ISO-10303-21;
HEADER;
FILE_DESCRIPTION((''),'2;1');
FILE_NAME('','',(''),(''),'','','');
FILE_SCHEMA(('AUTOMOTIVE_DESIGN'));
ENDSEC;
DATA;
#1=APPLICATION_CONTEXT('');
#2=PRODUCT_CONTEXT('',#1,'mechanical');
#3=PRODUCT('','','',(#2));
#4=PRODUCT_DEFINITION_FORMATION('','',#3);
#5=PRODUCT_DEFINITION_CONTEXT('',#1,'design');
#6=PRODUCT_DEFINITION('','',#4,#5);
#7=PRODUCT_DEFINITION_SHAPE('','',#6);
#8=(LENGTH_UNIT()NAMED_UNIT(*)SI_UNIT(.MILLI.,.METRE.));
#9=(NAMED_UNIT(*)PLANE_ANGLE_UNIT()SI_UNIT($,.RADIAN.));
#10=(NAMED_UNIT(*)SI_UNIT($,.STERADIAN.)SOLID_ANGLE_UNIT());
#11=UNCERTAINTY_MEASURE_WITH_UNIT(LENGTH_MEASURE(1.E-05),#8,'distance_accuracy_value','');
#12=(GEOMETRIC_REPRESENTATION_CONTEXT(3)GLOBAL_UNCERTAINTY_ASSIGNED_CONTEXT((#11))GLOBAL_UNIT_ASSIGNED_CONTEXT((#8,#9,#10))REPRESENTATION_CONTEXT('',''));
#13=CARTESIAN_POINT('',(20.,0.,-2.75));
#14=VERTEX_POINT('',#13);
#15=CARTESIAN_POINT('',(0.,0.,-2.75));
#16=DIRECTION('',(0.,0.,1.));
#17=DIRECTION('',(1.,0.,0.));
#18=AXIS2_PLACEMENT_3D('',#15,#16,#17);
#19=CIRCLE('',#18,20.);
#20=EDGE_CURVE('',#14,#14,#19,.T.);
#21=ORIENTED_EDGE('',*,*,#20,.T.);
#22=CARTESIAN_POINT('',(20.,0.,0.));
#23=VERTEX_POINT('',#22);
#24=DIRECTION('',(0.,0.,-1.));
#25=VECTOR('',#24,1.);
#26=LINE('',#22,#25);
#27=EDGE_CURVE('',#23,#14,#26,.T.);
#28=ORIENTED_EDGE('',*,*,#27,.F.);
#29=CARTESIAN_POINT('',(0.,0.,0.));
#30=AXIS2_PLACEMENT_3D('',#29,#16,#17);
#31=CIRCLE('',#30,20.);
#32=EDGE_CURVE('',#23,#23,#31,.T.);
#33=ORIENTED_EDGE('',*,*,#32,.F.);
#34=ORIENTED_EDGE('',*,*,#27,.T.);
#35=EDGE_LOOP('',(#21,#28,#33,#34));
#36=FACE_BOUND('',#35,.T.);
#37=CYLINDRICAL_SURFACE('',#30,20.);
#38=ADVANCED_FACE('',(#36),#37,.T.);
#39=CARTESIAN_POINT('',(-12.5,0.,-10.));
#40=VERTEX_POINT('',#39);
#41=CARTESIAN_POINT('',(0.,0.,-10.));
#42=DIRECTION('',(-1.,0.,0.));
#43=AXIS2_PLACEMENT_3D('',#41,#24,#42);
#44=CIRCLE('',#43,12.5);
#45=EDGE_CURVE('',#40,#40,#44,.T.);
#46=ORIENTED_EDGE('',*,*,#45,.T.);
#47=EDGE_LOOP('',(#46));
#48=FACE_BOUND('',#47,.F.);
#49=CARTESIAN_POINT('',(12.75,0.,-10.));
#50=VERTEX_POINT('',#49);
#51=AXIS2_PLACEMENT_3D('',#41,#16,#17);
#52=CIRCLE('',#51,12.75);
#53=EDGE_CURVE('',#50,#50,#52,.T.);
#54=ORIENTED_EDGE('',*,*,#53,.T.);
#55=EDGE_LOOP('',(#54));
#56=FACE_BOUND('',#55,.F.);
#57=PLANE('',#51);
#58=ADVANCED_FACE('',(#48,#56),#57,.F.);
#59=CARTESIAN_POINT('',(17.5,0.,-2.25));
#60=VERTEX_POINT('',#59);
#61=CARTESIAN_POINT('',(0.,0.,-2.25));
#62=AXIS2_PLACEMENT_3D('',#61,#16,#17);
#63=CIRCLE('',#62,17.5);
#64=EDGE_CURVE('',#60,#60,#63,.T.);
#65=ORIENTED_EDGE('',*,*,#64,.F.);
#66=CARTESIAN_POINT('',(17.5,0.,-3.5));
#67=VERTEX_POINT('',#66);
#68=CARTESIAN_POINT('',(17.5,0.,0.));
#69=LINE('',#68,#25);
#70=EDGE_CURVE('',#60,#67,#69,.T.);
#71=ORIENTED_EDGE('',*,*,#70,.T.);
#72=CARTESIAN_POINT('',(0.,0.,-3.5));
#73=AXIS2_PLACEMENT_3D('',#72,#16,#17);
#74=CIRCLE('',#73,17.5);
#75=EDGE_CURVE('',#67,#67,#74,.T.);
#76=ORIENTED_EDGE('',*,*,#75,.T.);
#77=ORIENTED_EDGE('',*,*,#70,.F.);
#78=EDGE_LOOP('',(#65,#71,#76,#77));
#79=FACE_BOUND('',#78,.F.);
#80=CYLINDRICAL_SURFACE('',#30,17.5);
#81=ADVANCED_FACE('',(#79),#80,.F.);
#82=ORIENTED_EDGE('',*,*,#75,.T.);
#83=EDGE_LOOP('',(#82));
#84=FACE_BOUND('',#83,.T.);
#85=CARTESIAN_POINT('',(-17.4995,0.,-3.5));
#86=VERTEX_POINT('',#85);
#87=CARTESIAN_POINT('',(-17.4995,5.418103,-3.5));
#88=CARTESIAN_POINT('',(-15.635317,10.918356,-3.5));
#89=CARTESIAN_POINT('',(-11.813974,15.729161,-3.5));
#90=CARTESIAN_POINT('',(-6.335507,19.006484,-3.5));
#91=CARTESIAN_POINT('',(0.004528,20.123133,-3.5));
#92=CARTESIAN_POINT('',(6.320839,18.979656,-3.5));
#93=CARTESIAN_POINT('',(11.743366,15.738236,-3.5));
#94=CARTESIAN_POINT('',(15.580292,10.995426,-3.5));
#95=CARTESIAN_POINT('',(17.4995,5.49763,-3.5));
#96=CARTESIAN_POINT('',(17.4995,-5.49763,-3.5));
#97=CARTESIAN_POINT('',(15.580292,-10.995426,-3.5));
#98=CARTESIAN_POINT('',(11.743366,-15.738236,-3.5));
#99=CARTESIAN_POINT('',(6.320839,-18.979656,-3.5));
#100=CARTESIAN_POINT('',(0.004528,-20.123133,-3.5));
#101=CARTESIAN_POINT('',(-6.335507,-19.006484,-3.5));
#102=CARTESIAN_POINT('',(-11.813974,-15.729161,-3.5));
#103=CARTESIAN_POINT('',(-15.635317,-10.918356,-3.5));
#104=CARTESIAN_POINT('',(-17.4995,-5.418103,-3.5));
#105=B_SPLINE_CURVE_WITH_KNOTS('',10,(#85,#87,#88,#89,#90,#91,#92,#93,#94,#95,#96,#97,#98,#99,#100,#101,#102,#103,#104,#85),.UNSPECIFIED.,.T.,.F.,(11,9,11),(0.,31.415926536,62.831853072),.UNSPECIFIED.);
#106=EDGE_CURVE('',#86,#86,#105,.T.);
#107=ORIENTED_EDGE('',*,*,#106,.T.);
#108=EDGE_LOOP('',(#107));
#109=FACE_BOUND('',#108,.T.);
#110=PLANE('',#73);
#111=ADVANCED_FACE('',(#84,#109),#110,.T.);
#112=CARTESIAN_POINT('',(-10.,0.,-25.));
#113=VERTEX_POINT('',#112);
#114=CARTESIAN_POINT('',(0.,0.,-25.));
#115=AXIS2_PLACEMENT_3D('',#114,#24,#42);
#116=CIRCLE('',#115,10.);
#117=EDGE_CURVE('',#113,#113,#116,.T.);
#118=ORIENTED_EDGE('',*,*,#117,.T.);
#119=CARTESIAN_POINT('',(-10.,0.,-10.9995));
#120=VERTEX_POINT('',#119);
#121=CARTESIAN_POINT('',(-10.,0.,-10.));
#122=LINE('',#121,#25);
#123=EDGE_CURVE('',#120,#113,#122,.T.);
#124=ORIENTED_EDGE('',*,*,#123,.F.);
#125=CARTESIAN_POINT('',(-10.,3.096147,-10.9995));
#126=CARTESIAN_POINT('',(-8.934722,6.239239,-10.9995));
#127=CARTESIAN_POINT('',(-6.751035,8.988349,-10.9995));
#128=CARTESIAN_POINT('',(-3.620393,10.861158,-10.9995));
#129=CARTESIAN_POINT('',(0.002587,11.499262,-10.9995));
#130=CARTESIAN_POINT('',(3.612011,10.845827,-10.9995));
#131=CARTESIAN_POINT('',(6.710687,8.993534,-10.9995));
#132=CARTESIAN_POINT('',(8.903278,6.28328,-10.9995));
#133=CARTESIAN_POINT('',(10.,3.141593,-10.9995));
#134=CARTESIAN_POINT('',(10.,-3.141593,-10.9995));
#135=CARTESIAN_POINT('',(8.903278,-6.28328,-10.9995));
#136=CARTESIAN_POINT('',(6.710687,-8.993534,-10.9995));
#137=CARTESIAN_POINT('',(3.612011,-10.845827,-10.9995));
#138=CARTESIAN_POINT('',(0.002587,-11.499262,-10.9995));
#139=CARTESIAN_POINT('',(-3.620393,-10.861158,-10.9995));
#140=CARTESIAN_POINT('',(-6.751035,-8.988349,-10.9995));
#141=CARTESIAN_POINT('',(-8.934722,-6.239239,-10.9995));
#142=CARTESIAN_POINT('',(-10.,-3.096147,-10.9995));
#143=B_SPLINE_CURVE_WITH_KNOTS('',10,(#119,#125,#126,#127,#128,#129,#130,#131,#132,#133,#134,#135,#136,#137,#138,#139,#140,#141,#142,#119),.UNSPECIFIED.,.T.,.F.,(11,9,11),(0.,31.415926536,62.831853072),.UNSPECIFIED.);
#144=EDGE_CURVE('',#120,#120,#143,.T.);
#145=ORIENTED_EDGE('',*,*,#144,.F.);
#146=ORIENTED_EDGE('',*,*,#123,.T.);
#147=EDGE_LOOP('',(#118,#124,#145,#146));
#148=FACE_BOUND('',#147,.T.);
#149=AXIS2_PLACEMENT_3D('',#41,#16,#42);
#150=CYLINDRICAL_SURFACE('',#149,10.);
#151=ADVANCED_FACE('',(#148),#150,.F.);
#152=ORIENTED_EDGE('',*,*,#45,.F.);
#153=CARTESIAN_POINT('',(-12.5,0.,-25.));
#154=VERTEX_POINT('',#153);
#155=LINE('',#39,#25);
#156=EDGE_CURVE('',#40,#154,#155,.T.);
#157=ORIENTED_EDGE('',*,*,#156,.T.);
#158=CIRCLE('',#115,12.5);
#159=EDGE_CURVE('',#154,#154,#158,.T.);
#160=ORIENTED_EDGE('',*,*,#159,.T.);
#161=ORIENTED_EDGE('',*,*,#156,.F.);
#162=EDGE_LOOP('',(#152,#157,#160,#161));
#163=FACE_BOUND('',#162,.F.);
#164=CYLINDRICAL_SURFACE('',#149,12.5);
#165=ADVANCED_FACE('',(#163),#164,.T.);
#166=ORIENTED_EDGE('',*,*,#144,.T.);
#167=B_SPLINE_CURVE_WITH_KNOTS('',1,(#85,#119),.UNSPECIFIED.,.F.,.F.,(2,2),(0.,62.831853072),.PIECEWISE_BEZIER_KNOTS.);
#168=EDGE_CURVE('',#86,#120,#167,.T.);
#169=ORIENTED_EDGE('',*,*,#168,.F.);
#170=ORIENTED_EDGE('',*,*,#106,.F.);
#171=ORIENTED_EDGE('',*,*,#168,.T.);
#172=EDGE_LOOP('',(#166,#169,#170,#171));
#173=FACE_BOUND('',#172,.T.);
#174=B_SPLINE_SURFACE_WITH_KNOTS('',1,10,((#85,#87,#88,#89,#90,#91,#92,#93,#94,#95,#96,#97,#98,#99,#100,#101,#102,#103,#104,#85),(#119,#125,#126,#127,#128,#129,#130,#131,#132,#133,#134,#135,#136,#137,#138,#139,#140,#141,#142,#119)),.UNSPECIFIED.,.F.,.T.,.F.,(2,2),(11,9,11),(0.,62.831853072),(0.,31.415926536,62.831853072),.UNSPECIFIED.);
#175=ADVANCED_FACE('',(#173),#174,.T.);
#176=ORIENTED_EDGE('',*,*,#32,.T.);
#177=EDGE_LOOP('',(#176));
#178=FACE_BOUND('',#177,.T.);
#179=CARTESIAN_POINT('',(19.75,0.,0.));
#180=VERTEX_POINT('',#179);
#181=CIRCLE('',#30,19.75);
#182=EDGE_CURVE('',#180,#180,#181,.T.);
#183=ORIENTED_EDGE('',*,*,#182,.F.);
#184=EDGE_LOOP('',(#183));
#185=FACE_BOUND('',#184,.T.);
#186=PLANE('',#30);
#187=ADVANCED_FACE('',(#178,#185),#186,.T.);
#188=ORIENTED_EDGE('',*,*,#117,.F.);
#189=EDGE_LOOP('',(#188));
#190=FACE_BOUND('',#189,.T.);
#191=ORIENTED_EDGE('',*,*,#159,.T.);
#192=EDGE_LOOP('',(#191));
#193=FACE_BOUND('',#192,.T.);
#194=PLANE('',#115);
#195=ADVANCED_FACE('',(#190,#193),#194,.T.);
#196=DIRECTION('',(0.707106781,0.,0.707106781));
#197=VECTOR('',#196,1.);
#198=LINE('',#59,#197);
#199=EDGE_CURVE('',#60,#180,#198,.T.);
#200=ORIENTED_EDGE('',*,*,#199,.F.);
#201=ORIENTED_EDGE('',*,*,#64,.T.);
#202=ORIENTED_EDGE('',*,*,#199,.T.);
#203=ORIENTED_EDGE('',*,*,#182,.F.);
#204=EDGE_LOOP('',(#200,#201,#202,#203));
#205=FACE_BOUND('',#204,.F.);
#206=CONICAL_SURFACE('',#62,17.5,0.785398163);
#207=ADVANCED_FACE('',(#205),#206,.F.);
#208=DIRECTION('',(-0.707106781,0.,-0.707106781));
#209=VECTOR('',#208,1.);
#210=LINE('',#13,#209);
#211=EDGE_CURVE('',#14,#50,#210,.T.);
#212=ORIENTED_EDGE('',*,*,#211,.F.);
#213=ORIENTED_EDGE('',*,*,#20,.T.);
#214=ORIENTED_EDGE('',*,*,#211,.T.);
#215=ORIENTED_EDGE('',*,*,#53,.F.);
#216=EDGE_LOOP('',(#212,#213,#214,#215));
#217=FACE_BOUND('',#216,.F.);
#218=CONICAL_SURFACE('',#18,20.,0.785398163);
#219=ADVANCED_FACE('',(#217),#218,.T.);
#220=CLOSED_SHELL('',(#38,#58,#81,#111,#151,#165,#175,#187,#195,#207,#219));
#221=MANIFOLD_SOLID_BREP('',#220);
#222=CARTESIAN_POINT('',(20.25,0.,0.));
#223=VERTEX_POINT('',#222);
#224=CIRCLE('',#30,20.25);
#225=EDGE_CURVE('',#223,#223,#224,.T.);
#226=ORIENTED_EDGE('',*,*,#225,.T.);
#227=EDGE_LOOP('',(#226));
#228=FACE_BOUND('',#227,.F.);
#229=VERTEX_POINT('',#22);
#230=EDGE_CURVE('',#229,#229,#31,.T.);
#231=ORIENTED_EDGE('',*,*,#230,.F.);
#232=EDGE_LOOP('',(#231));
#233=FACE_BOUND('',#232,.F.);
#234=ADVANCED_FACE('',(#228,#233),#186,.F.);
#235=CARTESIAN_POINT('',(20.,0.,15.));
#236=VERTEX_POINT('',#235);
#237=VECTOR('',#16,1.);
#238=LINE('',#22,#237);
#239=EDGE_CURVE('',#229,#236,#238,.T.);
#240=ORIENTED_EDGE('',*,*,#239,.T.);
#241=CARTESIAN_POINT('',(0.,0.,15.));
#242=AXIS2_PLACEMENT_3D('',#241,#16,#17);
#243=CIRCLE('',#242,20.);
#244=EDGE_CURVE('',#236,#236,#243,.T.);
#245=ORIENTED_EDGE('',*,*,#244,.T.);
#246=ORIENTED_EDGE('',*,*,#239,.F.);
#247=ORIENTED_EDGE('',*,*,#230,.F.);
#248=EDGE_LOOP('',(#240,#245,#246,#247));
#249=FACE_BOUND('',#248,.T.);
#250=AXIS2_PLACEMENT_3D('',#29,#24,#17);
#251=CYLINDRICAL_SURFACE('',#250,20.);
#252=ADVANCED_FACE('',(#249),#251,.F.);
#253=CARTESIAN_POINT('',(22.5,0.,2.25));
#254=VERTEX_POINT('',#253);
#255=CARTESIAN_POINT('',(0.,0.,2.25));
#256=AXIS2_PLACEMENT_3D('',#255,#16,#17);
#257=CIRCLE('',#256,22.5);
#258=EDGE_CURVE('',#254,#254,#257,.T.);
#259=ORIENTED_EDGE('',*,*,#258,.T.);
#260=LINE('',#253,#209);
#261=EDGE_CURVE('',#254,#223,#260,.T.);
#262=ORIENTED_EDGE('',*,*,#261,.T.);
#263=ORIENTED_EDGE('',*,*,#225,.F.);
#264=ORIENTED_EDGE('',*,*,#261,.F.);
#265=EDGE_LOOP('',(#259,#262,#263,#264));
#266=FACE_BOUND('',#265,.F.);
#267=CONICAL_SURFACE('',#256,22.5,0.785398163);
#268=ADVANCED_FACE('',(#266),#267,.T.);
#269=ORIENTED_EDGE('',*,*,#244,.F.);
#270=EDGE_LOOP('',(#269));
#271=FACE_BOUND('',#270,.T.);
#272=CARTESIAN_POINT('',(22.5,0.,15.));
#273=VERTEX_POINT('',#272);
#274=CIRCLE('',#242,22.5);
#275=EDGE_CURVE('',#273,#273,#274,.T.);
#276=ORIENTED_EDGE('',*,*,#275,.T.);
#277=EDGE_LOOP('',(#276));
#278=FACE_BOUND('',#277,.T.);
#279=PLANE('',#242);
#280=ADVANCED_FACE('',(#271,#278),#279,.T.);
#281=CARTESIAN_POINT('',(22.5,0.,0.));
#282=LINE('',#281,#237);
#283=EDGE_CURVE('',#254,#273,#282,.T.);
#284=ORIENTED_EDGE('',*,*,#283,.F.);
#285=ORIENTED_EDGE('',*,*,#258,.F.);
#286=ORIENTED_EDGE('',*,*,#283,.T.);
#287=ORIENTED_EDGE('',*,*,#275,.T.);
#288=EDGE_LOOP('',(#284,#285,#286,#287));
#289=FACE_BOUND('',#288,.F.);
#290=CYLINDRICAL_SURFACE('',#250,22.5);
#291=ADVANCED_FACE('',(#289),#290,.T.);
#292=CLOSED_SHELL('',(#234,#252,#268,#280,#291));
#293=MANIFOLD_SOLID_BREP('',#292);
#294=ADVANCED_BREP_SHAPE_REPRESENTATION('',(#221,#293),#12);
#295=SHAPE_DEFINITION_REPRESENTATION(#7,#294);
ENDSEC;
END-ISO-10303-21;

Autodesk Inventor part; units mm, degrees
ref_plane "YZ Plane" through (0, 0, 0) normal (1, 0, 0) x (0, 1, 0)
ref_plane "XZ Plane" through (0, 0, 0) normal (0, 1, 0) x (-1, 0, 0)
ref_plane "XY Plane" through (0, 0, 0) normal (0, 0, 1) x (1, 0, 0)
sketch "Sketch1" plane through (0, 0, 0) normal (0, 0, 1) x (1, 0, 0)
  circle A0 centre (0, 0) radius 20
  circle A1 centre (0, 0) radius 22.5
  dimension "d0" = 40
  dimension "d1" = 45
extrude "Extrusion1" add sketch "Sketch1" along normal blind 15
extrude "Extrusion2" add sketch "Sketch1" against normal blind 10 contours A0
sketch "Sketch2" plane through (0, 0, -10) normal (0, 0, -1) x (-1, 0, 0)
  circle A0 centre (0, 0) radius 12.5
  circle A1 centre (0, 0) radius 10
  dimension "d6" = 25
  dimension "d7" = 20
extrude "Extrusion3" add sketch "Sketch2" along normal blind 15
chamfer "Chamfer1" distance 7.25 angle 45 1 edges at (-20, 0, -10)
chamfer "Chamfer2" distance 2.25 angle 45 1 edges at (-22.5, 0, 0)
extrude "Extrusion4" cut sketch "Sketch2" against normal blind 15 contours A1
sketch "Sketch3" plane through (0, 0, 0) normal (0, 0, 1) x (1, 0, 0)
  circle A0 centre (0, 0) radius 17.5
  dimension "d18" = 35
extrude "Extrusion5" cut sketch "Sketch3" against normal blind 3.5
chamfer "Chamfer3" distance 7.5 angle 45 1 edges at (10, 0, -3.5)
chamfer "Chamfer4" distance 2.25 angle 45 1 edges at (-17.5, 0, 0)
properties part number "adapter"
